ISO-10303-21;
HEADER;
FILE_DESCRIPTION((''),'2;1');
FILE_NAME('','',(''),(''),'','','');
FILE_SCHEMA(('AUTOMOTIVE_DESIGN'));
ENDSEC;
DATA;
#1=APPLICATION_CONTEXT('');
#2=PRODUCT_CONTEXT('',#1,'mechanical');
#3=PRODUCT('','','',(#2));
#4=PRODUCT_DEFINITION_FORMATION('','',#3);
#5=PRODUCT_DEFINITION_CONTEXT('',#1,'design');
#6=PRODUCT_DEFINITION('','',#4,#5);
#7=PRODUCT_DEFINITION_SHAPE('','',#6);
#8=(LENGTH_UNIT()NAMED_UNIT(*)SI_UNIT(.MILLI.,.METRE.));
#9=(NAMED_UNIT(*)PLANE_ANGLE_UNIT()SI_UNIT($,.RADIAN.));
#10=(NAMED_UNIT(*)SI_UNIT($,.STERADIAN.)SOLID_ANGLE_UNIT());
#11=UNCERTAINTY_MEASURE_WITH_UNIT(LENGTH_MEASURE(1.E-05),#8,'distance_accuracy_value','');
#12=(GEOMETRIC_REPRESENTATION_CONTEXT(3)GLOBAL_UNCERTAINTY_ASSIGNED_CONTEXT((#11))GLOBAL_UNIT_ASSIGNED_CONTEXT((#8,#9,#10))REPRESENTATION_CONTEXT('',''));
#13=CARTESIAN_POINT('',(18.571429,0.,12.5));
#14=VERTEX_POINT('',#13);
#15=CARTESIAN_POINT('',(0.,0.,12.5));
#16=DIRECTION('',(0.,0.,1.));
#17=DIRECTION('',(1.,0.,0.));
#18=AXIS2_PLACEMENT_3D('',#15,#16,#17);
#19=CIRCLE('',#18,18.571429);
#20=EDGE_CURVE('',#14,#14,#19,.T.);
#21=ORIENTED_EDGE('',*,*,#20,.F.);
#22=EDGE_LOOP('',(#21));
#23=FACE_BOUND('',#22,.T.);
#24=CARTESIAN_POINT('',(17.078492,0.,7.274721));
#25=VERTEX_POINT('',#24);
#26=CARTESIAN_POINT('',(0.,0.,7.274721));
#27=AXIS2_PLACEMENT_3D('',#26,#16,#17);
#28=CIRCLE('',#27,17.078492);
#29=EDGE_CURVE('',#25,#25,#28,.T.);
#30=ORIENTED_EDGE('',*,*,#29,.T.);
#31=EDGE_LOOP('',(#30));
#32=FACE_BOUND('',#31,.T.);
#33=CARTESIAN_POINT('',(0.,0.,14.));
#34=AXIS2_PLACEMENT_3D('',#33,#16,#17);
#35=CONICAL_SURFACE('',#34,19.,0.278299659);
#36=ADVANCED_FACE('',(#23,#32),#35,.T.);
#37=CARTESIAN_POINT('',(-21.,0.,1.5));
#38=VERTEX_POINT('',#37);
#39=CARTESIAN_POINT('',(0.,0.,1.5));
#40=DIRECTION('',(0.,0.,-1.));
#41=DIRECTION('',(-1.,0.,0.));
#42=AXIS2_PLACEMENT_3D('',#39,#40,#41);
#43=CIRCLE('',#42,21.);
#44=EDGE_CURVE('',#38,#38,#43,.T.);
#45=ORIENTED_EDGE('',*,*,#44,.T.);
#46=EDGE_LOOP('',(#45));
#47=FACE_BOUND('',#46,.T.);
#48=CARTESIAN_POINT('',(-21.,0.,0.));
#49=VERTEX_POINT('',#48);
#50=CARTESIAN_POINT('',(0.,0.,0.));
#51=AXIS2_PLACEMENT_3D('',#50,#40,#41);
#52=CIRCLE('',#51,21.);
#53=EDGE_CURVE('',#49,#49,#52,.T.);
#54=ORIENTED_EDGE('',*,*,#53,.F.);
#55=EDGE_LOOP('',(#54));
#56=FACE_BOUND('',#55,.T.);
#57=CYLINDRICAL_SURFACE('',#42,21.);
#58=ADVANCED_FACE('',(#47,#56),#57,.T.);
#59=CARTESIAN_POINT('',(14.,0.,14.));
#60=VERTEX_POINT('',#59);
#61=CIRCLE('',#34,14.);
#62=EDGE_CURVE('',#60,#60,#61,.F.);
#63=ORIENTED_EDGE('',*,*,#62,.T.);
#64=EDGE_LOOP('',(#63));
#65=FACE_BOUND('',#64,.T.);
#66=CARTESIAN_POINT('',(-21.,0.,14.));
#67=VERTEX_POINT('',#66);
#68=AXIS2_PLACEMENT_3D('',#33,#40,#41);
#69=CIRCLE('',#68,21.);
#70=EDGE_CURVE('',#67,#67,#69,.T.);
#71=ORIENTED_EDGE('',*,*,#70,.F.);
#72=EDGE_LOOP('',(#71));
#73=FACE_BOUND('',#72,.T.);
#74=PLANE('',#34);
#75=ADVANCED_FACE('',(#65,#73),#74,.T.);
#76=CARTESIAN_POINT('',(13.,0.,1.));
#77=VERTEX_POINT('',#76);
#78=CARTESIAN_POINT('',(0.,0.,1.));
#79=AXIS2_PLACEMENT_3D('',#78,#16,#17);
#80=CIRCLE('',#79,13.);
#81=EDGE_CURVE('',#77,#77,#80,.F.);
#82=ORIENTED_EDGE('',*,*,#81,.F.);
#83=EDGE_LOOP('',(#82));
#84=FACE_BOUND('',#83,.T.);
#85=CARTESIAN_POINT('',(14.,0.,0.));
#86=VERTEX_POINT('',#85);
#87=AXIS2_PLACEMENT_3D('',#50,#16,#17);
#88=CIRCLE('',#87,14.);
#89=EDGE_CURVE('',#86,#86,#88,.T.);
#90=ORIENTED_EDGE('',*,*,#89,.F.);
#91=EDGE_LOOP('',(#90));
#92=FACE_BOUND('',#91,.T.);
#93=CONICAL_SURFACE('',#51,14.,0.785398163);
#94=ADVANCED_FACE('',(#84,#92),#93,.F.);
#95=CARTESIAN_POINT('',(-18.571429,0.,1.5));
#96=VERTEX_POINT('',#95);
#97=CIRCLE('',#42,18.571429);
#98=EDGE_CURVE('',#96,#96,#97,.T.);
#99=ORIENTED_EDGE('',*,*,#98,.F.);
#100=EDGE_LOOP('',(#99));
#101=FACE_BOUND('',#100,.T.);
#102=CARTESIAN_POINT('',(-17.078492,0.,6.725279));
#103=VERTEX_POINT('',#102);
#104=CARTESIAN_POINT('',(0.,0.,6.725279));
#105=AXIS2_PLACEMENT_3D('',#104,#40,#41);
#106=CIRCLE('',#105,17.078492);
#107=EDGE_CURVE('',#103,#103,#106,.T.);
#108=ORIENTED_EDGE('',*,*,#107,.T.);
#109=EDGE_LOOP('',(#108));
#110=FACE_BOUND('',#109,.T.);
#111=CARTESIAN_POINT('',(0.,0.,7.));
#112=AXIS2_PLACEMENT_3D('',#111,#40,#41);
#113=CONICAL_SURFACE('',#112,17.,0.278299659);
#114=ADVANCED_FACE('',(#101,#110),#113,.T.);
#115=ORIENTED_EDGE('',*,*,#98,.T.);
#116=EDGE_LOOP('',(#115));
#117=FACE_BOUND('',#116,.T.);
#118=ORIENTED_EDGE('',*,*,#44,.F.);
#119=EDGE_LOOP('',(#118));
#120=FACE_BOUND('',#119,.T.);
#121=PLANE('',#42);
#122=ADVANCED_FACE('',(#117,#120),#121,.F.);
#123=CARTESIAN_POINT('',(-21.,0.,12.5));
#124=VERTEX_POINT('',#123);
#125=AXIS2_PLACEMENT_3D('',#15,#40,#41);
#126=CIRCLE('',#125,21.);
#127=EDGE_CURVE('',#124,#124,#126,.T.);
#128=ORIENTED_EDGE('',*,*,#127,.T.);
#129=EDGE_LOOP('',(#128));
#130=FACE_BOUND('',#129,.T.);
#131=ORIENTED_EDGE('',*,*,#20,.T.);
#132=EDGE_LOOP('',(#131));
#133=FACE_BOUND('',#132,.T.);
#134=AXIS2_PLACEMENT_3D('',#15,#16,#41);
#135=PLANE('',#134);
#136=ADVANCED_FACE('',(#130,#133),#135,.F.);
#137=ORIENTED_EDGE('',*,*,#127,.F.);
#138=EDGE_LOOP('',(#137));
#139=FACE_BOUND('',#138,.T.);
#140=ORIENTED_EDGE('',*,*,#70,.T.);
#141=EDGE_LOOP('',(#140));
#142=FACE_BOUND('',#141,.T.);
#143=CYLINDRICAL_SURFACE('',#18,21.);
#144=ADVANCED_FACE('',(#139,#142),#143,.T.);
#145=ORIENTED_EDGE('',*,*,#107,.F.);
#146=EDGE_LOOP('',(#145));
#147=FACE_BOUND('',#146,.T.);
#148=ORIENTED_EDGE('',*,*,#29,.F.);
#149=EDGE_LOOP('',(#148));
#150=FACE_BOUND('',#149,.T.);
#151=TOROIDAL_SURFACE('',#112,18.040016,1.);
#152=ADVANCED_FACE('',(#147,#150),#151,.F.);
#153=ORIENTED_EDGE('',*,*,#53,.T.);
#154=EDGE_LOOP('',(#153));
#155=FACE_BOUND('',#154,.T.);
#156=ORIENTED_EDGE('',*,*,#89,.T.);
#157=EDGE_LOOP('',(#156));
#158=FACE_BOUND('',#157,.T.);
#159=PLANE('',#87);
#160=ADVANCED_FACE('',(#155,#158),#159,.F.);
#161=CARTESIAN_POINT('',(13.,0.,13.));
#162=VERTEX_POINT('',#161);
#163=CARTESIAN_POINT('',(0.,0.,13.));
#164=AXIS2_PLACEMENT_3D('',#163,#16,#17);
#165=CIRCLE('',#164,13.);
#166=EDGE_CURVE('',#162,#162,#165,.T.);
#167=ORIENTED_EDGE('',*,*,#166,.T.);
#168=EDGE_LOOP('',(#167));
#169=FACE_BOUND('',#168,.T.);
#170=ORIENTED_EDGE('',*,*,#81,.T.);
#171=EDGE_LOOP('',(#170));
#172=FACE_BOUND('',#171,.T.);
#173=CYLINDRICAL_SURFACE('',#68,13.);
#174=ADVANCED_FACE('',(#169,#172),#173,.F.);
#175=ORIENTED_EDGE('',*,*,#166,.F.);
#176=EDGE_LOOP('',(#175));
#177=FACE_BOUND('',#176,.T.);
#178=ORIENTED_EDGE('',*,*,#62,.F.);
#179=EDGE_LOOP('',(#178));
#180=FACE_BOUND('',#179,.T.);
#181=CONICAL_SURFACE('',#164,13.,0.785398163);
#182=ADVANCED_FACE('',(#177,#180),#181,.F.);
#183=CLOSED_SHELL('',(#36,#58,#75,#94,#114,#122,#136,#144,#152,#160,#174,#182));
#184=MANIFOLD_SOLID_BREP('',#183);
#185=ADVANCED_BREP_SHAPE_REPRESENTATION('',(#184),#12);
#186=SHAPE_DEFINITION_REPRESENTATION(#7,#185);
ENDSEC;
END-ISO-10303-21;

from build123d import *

# Parameters (mm, degrees)
SKETCH1_R           = 19
SKETCH1_R_2         = 13
BOSS_EXTRUDE1_DEPTH = 14
SKETCH3_R           = 21
SKETCH3_R_2         = 13
BOSS_EXTRUDE2_DEPTH = 1.5
FILLET1_R           = 1
CHAMFER2_SIZE       = 1


with BuildPart() as part:
    # Sketch1 → Boss-Extrude1 (new body)
    with BuildSketch(Plane.XY):
        Circle(SKETCH1_R)
        Circle(SKETCH1_R_2, mode=Mode.SUBTRACT)
    extrude(amount=BOSS_EXTRUDE1_DEPTH)

    # Sketch2 → Cut-Revolve1 (revolve, cut)
    with BuildSketch(Plane(origin=(0, 0, 0), x_dir=(1, 0, 0), z_dir=(0, 1, 0))):
        Polygon((-19, 0), (-17, -7), (-19, -14), align=None)
    revolve(axis=Axis((0, 0, 0), (0, 0, 1)), mode=Mode.SUBTRACT)

    # Sketch3 → Boss-Extrude2 (add)
    with BuildSketch(Plane(origin=(0, 0, 0), x_dir=(-1, 0, 0), z_dir=(0, 0, -1))):
        Circle(SKETCH3_R)
        with Locations(Location((0, 0, 0), (0, 0, 180))):
            Circle(SKETCH3_R_2, mode=Mode.SUBTRACT)
    boss_extrude2 = extrude(amount=-BOSS_EXTRUDE2_DEPTH)

    # Mirror1: Boss-Extrude2 across plane
    add(boss_extrude2.mirror(Plane.XY.offset(7)))

    # Fillet1
    fillet1_edges = [part.edges().sort_by_distance(p)[0] for p in [
        (17, 0, 7),
    ]]
    fillet(fillet1_edges, radius=FILLET1_R)

    # Chamfer2
    chamfer2_edges = [part.edges().sort_by_distance(p)[0] for p in [
        (-13, 0, 0),
        (-13, 0, 14),
    ]]
    chamfer(chamfer2_edges, length=CHAMFER2_SIZE)


solid = part.part
